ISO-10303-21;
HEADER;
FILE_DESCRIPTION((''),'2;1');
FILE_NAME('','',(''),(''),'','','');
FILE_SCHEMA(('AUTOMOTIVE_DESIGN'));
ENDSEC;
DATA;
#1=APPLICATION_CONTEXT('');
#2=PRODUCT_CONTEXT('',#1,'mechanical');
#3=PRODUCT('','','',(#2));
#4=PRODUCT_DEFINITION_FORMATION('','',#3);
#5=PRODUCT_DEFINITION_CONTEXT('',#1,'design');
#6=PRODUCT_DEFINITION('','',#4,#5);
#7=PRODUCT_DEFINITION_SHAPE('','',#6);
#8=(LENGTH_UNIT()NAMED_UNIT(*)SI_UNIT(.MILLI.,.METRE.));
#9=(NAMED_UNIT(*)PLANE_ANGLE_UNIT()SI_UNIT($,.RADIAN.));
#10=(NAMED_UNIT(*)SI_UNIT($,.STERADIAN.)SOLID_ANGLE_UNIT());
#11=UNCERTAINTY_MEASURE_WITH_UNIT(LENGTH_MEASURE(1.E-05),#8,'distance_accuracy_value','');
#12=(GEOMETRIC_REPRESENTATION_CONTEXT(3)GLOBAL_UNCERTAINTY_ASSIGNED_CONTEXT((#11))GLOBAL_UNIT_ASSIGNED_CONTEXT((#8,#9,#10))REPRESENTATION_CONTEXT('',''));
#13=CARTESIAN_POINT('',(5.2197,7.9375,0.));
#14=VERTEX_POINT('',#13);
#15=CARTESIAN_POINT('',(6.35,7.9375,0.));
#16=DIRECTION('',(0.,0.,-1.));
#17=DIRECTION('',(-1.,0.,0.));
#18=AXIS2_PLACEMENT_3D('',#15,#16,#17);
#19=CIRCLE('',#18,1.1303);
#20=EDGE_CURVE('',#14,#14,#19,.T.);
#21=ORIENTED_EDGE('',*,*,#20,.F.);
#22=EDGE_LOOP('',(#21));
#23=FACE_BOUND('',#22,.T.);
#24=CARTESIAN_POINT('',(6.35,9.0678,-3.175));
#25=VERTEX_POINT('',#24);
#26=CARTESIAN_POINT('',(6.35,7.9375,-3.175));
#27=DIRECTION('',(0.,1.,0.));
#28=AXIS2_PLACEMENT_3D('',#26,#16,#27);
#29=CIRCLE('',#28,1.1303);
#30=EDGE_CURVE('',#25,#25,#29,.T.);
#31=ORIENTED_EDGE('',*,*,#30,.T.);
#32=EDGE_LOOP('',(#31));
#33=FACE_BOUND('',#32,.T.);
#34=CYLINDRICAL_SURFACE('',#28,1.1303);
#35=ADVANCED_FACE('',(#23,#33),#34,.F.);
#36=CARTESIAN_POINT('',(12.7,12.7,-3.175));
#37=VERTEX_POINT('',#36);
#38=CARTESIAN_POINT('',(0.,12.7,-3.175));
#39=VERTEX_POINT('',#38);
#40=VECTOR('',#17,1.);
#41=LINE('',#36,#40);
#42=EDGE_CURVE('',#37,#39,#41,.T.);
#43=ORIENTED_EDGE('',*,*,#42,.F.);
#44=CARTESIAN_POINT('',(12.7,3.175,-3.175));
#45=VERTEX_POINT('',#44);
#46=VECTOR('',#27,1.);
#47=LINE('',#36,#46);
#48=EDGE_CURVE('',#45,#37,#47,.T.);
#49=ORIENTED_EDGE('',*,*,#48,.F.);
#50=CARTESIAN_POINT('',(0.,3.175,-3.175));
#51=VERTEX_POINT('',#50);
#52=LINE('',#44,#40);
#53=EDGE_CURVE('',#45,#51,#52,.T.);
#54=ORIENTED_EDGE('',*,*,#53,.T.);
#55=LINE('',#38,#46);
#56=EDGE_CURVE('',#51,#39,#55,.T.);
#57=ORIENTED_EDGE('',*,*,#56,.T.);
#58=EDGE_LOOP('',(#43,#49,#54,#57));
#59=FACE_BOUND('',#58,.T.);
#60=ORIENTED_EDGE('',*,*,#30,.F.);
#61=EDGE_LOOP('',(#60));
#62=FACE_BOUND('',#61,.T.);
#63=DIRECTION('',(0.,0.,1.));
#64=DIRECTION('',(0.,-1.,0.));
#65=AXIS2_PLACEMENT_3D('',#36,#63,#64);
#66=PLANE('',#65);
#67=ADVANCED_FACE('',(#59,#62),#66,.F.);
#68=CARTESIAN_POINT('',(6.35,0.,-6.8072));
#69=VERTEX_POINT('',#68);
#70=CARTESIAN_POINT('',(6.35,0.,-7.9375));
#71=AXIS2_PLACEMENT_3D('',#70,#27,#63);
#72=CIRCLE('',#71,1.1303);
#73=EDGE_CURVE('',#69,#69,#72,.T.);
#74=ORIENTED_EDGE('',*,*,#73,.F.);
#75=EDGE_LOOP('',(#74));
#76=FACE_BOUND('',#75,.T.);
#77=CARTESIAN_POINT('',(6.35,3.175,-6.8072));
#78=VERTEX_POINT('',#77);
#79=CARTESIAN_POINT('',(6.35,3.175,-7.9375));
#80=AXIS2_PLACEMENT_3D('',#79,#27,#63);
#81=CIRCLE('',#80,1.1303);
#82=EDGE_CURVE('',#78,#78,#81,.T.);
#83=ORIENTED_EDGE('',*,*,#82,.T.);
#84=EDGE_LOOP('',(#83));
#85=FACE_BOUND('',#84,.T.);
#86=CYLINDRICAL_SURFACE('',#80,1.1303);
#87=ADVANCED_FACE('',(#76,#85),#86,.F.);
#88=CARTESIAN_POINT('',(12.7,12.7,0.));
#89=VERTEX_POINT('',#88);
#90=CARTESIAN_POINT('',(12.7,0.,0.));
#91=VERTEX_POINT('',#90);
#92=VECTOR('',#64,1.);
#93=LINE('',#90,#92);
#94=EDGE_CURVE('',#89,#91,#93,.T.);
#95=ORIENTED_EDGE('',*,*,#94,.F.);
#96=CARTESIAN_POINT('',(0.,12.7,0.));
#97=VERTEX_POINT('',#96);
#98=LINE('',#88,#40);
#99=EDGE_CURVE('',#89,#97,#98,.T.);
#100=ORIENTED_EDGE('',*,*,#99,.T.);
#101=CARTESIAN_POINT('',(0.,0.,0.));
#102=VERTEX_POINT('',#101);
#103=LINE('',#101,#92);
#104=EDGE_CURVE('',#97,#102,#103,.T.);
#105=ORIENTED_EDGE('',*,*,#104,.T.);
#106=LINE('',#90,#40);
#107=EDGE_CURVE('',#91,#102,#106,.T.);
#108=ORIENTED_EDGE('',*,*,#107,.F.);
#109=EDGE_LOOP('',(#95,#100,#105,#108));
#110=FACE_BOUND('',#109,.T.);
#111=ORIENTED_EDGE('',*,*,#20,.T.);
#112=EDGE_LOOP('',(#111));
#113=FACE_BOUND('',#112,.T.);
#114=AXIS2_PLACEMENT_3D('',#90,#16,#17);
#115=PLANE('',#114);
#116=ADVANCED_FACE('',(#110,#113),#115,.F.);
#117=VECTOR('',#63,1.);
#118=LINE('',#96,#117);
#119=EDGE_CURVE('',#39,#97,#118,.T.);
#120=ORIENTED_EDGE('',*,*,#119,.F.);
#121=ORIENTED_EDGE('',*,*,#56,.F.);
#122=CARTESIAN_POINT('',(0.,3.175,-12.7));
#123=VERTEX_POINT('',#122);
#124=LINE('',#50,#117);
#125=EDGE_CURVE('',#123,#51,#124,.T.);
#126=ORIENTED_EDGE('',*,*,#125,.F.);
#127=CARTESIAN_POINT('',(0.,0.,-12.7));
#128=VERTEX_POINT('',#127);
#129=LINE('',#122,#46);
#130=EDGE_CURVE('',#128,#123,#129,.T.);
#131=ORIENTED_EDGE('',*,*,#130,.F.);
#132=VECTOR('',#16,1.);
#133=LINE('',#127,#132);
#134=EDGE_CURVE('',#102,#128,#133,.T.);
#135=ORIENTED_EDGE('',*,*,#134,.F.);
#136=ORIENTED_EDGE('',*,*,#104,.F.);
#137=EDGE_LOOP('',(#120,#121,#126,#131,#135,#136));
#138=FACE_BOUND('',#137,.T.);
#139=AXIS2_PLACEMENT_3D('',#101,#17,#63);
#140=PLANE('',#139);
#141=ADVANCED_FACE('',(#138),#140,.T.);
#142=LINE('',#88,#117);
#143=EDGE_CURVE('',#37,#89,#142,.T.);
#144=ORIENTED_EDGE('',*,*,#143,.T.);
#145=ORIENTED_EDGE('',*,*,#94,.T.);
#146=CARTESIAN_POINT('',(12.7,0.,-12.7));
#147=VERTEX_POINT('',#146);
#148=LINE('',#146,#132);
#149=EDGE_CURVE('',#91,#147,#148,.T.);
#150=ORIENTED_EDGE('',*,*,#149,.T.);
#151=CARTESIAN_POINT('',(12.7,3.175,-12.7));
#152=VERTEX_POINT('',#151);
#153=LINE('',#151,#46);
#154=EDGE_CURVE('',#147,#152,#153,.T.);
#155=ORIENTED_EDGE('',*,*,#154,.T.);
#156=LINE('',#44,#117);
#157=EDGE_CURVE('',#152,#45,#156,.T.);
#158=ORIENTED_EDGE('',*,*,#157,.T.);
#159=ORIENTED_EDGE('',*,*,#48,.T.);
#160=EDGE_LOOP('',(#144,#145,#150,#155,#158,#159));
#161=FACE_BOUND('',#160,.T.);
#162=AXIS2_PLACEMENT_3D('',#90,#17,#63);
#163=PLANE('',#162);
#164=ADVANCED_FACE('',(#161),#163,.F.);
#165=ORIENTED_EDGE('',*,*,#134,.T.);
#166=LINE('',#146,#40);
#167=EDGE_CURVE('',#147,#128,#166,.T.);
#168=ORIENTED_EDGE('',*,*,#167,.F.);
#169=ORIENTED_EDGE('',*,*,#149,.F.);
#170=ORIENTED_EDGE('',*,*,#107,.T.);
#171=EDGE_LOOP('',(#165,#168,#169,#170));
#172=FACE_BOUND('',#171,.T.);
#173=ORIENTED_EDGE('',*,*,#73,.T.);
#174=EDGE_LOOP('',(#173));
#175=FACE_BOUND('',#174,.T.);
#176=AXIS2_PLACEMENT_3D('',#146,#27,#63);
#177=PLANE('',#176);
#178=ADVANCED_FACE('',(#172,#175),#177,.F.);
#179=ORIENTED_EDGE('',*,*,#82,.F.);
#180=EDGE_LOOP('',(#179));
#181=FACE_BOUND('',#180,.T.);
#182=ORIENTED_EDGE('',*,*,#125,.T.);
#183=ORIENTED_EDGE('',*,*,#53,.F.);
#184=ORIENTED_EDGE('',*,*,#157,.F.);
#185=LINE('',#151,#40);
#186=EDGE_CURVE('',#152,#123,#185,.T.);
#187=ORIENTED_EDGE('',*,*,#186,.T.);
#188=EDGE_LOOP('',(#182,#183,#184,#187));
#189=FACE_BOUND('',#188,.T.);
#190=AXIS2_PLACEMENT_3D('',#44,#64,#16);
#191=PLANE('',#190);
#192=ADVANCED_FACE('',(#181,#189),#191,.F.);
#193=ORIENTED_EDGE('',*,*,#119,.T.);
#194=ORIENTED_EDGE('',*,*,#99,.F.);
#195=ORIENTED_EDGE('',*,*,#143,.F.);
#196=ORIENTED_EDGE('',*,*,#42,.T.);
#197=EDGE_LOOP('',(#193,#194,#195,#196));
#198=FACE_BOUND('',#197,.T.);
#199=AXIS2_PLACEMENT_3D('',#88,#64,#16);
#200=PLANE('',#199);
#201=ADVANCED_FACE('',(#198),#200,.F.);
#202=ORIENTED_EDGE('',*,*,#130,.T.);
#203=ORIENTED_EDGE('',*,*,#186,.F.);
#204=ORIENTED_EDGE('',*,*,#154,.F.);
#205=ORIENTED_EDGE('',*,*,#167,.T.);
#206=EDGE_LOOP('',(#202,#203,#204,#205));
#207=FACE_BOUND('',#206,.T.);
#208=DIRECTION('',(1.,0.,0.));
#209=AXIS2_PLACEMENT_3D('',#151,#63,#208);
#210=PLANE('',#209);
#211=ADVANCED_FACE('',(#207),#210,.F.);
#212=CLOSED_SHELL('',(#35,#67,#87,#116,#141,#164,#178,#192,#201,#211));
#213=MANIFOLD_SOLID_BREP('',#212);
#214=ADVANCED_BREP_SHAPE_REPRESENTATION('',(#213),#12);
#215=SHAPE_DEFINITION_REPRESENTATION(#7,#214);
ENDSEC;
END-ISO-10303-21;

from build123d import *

# Parameters (mm, degrees)
BOSS_EXTRUDE1_DEPTH             = 12.7
F_43_0_089_DIAMETER_HOLE1_D     = 2.2606
F_43_0_089_DIAMETER_HOLE1_DEPTH = 25.4
F_43_0_089_DIAMETER_HOLE1_TIP   = 0.679152758
F_43_0_089_DIAMETER_HOLE2_D     = 2.2606
F_43_0_089_DIAMETER_HOLE2_DEPTH = 25.4
F_43_0_089_DIAMETER_HOLE2_TIP   = 0.679152758


with BuildPart() as part:
    # Sketch1 → Boss-Extrude1 (new body)
    with BuildSketch(Plane(origin=(0, 0, 0), x_dir=(0, 0, -1), z_dir=(1, 0, 0))):
        Polygon((0, 0), (0, 12.7), (3.175, 12.7), (3.175, 3.175), (12.7, 3.175), (12.7, 0), align=None)
    extrude(amount=BOSS_EXTRUDE1_DEPTH)

    # #43 (0.089) Diameter Hole1
    with Locations(Plane(origin=(0, 0, -3.175), x_dir=(-1, 0, 0), z_dir=(0, 0, -1))):
        with Locations((-6.35, 7.9375)):
            Hole(F_43_0_089_DIAMETER_HOLE1_D / 2, depth=F_43_0_089_DIAMETER_HOLE1_DEPTH)
            with Locations((0, 0, -(F_43_0_089_DIAMETER_HOLE1_DEPTH + F_43_0_089_DIAMETER_HOLE1_TIP / 2))):  # 118° drill point
                Cone(0, F_43_0_089_DIAMETER_HOLE1_D / 2, F_43_0_089_DIAMETER_HOLE1_TIP, mode=Mode.SUBTRACT)

    # #43 (0.089) Diameter Hole2
    with Locations(Plane(origin=(0, 3.175, 0), x_dir=(1, 0, 0), z_dir=(0, 1, 0))):
        with Locations((6.35, 7.9375)):
            Hole(F_43_0_089_DIAMETER_HOLE2_D / 2, depth=F_43_0_089_DIAMETER_HOLE2_DEPTH)
            with Locations((0, 0, -(F_43_0_089_DIAMETER_HOLE2_DEPTH + F_43_0_089_DIAMETER_HOLE2_TIP / 2))):  # 118° drill point
                Cone(0, F_43_0_089_DIAMETER_HOLE2_D / 2, F_43_0_089_DIAMETER_HOLE2_TIP, mode=Mode.SUBTRACT)


solid = part.part
